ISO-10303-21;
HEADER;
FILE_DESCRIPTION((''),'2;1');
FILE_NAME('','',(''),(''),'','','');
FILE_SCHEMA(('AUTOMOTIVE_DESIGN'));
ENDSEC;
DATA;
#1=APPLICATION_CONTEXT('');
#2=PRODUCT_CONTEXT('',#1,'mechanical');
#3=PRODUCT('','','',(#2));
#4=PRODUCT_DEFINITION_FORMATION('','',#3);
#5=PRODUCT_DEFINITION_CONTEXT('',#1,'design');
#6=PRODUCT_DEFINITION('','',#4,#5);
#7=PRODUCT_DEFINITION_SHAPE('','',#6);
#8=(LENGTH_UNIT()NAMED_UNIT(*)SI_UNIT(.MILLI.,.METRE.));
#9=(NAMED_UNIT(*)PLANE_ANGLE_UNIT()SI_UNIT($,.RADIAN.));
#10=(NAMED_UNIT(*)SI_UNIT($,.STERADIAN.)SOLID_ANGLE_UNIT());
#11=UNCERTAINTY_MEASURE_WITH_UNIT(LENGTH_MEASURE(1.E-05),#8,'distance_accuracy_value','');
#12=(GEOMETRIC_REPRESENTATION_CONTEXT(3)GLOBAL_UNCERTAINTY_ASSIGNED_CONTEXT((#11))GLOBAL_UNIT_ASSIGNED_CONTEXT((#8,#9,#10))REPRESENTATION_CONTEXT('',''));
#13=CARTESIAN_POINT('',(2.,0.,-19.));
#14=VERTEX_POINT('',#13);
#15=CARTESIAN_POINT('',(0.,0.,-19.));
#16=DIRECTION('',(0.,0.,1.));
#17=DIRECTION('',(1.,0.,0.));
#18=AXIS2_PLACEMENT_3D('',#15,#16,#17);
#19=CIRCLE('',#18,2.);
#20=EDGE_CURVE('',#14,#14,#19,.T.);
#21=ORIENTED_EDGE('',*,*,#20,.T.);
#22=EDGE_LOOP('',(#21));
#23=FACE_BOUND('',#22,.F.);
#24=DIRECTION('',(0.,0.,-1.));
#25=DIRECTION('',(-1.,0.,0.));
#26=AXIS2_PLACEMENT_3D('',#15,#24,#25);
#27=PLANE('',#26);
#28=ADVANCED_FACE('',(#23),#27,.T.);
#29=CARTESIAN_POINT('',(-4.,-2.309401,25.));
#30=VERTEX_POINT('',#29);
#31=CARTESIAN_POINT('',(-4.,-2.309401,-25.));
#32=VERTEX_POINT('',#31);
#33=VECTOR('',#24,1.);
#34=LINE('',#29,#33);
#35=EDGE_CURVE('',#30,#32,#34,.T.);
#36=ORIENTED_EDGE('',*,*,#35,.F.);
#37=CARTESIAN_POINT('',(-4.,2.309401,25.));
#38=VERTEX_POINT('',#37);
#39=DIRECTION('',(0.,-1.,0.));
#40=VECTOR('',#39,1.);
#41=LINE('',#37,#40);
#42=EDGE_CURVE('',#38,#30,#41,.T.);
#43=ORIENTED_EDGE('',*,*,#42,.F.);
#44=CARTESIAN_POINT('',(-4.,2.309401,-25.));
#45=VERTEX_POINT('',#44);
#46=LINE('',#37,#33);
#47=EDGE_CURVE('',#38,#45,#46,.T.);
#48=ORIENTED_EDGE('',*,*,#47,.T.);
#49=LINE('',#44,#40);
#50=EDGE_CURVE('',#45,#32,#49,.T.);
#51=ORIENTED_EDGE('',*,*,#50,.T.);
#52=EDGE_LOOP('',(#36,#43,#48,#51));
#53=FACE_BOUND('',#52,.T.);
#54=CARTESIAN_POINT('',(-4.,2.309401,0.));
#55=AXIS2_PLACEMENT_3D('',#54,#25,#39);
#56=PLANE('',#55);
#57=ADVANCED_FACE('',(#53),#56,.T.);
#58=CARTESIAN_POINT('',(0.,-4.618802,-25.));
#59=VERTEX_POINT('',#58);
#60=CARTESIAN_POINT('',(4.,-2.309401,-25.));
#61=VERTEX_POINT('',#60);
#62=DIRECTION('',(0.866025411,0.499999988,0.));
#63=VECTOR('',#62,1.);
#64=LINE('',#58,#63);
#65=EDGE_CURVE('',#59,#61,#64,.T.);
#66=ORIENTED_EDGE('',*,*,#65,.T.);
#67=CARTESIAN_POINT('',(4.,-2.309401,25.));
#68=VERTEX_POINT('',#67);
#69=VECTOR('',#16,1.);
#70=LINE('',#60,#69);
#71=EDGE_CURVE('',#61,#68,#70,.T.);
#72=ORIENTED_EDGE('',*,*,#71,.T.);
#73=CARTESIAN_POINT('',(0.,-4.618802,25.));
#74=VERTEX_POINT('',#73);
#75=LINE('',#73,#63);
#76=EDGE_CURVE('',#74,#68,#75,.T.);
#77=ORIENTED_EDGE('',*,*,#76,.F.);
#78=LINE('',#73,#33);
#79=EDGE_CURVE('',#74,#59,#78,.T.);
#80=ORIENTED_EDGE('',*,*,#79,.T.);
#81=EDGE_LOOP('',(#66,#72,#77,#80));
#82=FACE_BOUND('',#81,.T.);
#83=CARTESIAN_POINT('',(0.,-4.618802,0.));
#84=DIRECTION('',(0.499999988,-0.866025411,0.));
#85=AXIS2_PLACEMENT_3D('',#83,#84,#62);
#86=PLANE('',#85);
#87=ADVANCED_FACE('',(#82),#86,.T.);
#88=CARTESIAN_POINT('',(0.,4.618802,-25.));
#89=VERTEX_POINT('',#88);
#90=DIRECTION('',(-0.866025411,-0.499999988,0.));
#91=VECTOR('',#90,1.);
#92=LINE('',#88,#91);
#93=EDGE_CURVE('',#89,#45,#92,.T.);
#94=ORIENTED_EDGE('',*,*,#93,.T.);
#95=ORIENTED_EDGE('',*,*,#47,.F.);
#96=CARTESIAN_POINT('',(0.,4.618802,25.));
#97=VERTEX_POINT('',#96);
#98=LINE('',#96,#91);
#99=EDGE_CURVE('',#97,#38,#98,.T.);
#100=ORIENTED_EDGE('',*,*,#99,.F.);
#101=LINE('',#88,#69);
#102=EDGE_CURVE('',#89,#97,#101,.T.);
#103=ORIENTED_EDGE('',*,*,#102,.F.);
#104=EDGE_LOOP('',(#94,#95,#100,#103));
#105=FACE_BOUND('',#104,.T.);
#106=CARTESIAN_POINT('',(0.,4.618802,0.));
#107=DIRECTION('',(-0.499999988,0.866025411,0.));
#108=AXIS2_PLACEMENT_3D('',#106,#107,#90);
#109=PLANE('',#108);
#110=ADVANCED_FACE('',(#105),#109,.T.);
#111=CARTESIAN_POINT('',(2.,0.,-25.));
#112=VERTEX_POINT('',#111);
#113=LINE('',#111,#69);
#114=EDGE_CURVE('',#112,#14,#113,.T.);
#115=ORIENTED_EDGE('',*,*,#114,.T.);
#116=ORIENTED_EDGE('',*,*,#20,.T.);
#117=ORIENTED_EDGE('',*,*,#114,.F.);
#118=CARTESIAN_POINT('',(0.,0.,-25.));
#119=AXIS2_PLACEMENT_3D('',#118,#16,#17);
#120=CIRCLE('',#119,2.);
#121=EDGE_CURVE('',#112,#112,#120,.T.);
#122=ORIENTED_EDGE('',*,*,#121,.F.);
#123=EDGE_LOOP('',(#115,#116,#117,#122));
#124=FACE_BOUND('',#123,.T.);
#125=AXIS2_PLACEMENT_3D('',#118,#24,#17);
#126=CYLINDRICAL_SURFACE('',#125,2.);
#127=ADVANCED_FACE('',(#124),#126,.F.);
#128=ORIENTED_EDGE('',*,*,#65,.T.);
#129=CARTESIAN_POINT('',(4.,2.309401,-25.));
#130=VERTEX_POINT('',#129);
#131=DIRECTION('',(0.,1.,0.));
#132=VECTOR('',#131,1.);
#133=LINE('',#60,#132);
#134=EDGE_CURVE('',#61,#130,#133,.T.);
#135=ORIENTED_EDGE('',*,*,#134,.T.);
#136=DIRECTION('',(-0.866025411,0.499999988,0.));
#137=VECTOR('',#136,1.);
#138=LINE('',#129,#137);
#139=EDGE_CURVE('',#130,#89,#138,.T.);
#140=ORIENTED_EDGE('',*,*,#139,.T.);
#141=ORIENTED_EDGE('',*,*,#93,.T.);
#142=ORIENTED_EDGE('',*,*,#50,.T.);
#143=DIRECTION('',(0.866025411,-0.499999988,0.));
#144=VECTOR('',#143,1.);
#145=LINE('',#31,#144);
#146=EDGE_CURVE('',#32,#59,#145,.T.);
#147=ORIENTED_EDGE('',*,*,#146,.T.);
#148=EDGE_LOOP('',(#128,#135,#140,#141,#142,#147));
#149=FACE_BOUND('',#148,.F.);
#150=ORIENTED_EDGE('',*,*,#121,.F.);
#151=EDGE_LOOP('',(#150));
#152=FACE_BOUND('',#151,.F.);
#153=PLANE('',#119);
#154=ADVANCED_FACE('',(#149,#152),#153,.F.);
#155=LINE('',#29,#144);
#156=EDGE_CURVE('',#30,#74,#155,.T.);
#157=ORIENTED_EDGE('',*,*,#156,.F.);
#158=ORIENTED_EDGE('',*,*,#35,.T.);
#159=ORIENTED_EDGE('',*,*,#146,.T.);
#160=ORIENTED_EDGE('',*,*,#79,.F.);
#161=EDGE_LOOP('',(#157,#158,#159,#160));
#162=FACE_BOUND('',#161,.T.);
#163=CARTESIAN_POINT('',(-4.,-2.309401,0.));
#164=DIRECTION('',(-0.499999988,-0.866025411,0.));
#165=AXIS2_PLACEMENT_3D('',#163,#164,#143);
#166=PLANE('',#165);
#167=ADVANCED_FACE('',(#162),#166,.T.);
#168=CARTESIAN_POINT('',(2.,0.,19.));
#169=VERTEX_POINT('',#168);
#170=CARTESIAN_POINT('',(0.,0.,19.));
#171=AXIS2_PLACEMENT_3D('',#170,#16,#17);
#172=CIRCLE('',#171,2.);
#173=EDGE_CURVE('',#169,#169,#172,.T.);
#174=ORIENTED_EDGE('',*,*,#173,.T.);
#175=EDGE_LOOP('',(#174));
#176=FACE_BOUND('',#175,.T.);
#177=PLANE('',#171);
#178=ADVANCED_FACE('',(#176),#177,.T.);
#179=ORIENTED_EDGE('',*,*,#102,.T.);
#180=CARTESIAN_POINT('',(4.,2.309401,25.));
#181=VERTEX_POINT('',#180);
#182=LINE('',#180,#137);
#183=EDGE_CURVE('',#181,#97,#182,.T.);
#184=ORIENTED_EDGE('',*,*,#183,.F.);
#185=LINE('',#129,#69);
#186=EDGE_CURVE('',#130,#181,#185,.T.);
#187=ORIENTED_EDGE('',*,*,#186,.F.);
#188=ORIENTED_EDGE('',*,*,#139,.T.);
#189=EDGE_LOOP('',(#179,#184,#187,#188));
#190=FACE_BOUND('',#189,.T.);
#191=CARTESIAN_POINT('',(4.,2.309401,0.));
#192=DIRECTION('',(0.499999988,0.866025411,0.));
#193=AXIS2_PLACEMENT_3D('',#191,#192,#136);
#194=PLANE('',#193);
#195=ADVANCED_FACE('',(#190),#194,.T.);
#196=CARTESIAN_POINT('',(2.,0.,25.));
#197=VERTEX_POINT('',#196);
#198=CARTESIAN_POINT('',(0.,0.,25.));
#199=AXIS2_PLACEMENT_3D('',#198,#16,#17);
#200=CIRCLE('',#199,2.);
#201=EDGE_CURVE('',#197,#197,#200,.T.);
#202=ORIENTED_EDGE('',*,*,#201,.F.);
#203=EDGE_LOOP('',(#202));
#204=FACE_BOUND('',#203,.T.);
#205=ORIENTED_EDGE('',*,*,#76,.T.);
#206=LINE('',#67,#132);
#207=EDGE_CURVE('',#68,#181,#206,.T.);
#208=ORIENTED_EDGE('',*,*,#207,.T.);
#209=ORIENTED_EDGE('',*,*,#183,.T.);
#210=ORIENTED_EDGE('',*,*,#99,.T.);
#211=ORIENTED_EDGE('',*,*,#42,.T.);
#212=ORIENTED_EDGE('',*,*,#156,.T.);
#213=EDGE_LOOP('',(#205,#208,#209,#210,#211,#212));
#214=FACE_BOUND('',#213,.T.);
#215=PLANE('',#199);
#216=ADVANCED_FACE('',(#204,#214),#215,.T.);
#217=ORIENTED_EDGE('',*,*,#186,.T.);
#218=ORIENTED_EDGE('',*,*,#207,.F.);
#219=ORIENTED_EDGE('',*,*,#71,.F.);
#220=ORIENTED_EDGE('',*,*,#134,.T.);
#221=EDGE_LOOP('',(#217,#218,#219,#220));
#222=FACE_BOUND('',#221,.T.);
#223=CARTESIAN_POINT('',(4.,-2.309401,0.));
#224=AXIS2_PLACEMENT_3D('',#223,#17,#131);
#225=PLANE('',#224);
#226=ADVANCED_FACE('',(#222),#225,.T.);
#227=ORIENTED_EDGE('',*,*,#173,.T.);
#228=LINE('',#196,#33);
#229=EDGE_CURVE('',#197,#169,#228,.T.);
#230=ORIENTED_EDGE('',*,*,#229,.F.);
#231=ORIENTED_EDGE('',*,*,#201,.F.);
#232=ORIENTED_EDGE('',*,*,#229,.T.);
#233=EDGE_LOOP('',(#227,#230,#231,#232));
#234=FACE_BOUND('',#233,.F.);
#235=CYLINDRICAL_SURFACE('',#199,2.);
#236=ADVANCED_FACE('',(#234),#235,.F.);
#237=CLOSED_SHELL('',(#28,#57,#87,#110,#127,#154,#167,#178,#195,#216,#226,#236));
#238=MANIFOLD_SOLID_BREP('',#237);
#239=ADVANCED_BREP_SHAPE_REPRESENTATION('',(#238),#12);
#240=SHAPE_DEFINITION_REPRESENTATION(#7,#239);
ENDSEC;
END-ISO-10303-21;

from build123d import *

# Parameters (mm, degrees)
PAD_DEPTH    = 25
SKETCH001_R  = 2
POCKET_DEPTH = 6


with BuildPart() as part:
    # Sketch → Pad (new body, symmetric)
    with BuildSketch(Plane.XY):
        Polygon((0, -4.618802), (4, -2.309401), (4, 2.309401), (0, 4.618802), (-4, 2.309401), (-4, -2.309401), align=None)
    extrude(amount=PAD_DEPTH, both=True)

    # Sketch001 (on Face8 of Pad) → Pocket (cut)
    with BuildSketch(Plane.XY.offset(25)):
        Circle(SKETCH001_R)
    pocket = extrude(amount=-POCKET_DEPTH, mode=Mode.SUBTRACT)

    # Mirrored: Pocket across XY
    add(pocket.mirror(Plane.XY), mode=Mode.SUBTRACT)


solid = part.part
